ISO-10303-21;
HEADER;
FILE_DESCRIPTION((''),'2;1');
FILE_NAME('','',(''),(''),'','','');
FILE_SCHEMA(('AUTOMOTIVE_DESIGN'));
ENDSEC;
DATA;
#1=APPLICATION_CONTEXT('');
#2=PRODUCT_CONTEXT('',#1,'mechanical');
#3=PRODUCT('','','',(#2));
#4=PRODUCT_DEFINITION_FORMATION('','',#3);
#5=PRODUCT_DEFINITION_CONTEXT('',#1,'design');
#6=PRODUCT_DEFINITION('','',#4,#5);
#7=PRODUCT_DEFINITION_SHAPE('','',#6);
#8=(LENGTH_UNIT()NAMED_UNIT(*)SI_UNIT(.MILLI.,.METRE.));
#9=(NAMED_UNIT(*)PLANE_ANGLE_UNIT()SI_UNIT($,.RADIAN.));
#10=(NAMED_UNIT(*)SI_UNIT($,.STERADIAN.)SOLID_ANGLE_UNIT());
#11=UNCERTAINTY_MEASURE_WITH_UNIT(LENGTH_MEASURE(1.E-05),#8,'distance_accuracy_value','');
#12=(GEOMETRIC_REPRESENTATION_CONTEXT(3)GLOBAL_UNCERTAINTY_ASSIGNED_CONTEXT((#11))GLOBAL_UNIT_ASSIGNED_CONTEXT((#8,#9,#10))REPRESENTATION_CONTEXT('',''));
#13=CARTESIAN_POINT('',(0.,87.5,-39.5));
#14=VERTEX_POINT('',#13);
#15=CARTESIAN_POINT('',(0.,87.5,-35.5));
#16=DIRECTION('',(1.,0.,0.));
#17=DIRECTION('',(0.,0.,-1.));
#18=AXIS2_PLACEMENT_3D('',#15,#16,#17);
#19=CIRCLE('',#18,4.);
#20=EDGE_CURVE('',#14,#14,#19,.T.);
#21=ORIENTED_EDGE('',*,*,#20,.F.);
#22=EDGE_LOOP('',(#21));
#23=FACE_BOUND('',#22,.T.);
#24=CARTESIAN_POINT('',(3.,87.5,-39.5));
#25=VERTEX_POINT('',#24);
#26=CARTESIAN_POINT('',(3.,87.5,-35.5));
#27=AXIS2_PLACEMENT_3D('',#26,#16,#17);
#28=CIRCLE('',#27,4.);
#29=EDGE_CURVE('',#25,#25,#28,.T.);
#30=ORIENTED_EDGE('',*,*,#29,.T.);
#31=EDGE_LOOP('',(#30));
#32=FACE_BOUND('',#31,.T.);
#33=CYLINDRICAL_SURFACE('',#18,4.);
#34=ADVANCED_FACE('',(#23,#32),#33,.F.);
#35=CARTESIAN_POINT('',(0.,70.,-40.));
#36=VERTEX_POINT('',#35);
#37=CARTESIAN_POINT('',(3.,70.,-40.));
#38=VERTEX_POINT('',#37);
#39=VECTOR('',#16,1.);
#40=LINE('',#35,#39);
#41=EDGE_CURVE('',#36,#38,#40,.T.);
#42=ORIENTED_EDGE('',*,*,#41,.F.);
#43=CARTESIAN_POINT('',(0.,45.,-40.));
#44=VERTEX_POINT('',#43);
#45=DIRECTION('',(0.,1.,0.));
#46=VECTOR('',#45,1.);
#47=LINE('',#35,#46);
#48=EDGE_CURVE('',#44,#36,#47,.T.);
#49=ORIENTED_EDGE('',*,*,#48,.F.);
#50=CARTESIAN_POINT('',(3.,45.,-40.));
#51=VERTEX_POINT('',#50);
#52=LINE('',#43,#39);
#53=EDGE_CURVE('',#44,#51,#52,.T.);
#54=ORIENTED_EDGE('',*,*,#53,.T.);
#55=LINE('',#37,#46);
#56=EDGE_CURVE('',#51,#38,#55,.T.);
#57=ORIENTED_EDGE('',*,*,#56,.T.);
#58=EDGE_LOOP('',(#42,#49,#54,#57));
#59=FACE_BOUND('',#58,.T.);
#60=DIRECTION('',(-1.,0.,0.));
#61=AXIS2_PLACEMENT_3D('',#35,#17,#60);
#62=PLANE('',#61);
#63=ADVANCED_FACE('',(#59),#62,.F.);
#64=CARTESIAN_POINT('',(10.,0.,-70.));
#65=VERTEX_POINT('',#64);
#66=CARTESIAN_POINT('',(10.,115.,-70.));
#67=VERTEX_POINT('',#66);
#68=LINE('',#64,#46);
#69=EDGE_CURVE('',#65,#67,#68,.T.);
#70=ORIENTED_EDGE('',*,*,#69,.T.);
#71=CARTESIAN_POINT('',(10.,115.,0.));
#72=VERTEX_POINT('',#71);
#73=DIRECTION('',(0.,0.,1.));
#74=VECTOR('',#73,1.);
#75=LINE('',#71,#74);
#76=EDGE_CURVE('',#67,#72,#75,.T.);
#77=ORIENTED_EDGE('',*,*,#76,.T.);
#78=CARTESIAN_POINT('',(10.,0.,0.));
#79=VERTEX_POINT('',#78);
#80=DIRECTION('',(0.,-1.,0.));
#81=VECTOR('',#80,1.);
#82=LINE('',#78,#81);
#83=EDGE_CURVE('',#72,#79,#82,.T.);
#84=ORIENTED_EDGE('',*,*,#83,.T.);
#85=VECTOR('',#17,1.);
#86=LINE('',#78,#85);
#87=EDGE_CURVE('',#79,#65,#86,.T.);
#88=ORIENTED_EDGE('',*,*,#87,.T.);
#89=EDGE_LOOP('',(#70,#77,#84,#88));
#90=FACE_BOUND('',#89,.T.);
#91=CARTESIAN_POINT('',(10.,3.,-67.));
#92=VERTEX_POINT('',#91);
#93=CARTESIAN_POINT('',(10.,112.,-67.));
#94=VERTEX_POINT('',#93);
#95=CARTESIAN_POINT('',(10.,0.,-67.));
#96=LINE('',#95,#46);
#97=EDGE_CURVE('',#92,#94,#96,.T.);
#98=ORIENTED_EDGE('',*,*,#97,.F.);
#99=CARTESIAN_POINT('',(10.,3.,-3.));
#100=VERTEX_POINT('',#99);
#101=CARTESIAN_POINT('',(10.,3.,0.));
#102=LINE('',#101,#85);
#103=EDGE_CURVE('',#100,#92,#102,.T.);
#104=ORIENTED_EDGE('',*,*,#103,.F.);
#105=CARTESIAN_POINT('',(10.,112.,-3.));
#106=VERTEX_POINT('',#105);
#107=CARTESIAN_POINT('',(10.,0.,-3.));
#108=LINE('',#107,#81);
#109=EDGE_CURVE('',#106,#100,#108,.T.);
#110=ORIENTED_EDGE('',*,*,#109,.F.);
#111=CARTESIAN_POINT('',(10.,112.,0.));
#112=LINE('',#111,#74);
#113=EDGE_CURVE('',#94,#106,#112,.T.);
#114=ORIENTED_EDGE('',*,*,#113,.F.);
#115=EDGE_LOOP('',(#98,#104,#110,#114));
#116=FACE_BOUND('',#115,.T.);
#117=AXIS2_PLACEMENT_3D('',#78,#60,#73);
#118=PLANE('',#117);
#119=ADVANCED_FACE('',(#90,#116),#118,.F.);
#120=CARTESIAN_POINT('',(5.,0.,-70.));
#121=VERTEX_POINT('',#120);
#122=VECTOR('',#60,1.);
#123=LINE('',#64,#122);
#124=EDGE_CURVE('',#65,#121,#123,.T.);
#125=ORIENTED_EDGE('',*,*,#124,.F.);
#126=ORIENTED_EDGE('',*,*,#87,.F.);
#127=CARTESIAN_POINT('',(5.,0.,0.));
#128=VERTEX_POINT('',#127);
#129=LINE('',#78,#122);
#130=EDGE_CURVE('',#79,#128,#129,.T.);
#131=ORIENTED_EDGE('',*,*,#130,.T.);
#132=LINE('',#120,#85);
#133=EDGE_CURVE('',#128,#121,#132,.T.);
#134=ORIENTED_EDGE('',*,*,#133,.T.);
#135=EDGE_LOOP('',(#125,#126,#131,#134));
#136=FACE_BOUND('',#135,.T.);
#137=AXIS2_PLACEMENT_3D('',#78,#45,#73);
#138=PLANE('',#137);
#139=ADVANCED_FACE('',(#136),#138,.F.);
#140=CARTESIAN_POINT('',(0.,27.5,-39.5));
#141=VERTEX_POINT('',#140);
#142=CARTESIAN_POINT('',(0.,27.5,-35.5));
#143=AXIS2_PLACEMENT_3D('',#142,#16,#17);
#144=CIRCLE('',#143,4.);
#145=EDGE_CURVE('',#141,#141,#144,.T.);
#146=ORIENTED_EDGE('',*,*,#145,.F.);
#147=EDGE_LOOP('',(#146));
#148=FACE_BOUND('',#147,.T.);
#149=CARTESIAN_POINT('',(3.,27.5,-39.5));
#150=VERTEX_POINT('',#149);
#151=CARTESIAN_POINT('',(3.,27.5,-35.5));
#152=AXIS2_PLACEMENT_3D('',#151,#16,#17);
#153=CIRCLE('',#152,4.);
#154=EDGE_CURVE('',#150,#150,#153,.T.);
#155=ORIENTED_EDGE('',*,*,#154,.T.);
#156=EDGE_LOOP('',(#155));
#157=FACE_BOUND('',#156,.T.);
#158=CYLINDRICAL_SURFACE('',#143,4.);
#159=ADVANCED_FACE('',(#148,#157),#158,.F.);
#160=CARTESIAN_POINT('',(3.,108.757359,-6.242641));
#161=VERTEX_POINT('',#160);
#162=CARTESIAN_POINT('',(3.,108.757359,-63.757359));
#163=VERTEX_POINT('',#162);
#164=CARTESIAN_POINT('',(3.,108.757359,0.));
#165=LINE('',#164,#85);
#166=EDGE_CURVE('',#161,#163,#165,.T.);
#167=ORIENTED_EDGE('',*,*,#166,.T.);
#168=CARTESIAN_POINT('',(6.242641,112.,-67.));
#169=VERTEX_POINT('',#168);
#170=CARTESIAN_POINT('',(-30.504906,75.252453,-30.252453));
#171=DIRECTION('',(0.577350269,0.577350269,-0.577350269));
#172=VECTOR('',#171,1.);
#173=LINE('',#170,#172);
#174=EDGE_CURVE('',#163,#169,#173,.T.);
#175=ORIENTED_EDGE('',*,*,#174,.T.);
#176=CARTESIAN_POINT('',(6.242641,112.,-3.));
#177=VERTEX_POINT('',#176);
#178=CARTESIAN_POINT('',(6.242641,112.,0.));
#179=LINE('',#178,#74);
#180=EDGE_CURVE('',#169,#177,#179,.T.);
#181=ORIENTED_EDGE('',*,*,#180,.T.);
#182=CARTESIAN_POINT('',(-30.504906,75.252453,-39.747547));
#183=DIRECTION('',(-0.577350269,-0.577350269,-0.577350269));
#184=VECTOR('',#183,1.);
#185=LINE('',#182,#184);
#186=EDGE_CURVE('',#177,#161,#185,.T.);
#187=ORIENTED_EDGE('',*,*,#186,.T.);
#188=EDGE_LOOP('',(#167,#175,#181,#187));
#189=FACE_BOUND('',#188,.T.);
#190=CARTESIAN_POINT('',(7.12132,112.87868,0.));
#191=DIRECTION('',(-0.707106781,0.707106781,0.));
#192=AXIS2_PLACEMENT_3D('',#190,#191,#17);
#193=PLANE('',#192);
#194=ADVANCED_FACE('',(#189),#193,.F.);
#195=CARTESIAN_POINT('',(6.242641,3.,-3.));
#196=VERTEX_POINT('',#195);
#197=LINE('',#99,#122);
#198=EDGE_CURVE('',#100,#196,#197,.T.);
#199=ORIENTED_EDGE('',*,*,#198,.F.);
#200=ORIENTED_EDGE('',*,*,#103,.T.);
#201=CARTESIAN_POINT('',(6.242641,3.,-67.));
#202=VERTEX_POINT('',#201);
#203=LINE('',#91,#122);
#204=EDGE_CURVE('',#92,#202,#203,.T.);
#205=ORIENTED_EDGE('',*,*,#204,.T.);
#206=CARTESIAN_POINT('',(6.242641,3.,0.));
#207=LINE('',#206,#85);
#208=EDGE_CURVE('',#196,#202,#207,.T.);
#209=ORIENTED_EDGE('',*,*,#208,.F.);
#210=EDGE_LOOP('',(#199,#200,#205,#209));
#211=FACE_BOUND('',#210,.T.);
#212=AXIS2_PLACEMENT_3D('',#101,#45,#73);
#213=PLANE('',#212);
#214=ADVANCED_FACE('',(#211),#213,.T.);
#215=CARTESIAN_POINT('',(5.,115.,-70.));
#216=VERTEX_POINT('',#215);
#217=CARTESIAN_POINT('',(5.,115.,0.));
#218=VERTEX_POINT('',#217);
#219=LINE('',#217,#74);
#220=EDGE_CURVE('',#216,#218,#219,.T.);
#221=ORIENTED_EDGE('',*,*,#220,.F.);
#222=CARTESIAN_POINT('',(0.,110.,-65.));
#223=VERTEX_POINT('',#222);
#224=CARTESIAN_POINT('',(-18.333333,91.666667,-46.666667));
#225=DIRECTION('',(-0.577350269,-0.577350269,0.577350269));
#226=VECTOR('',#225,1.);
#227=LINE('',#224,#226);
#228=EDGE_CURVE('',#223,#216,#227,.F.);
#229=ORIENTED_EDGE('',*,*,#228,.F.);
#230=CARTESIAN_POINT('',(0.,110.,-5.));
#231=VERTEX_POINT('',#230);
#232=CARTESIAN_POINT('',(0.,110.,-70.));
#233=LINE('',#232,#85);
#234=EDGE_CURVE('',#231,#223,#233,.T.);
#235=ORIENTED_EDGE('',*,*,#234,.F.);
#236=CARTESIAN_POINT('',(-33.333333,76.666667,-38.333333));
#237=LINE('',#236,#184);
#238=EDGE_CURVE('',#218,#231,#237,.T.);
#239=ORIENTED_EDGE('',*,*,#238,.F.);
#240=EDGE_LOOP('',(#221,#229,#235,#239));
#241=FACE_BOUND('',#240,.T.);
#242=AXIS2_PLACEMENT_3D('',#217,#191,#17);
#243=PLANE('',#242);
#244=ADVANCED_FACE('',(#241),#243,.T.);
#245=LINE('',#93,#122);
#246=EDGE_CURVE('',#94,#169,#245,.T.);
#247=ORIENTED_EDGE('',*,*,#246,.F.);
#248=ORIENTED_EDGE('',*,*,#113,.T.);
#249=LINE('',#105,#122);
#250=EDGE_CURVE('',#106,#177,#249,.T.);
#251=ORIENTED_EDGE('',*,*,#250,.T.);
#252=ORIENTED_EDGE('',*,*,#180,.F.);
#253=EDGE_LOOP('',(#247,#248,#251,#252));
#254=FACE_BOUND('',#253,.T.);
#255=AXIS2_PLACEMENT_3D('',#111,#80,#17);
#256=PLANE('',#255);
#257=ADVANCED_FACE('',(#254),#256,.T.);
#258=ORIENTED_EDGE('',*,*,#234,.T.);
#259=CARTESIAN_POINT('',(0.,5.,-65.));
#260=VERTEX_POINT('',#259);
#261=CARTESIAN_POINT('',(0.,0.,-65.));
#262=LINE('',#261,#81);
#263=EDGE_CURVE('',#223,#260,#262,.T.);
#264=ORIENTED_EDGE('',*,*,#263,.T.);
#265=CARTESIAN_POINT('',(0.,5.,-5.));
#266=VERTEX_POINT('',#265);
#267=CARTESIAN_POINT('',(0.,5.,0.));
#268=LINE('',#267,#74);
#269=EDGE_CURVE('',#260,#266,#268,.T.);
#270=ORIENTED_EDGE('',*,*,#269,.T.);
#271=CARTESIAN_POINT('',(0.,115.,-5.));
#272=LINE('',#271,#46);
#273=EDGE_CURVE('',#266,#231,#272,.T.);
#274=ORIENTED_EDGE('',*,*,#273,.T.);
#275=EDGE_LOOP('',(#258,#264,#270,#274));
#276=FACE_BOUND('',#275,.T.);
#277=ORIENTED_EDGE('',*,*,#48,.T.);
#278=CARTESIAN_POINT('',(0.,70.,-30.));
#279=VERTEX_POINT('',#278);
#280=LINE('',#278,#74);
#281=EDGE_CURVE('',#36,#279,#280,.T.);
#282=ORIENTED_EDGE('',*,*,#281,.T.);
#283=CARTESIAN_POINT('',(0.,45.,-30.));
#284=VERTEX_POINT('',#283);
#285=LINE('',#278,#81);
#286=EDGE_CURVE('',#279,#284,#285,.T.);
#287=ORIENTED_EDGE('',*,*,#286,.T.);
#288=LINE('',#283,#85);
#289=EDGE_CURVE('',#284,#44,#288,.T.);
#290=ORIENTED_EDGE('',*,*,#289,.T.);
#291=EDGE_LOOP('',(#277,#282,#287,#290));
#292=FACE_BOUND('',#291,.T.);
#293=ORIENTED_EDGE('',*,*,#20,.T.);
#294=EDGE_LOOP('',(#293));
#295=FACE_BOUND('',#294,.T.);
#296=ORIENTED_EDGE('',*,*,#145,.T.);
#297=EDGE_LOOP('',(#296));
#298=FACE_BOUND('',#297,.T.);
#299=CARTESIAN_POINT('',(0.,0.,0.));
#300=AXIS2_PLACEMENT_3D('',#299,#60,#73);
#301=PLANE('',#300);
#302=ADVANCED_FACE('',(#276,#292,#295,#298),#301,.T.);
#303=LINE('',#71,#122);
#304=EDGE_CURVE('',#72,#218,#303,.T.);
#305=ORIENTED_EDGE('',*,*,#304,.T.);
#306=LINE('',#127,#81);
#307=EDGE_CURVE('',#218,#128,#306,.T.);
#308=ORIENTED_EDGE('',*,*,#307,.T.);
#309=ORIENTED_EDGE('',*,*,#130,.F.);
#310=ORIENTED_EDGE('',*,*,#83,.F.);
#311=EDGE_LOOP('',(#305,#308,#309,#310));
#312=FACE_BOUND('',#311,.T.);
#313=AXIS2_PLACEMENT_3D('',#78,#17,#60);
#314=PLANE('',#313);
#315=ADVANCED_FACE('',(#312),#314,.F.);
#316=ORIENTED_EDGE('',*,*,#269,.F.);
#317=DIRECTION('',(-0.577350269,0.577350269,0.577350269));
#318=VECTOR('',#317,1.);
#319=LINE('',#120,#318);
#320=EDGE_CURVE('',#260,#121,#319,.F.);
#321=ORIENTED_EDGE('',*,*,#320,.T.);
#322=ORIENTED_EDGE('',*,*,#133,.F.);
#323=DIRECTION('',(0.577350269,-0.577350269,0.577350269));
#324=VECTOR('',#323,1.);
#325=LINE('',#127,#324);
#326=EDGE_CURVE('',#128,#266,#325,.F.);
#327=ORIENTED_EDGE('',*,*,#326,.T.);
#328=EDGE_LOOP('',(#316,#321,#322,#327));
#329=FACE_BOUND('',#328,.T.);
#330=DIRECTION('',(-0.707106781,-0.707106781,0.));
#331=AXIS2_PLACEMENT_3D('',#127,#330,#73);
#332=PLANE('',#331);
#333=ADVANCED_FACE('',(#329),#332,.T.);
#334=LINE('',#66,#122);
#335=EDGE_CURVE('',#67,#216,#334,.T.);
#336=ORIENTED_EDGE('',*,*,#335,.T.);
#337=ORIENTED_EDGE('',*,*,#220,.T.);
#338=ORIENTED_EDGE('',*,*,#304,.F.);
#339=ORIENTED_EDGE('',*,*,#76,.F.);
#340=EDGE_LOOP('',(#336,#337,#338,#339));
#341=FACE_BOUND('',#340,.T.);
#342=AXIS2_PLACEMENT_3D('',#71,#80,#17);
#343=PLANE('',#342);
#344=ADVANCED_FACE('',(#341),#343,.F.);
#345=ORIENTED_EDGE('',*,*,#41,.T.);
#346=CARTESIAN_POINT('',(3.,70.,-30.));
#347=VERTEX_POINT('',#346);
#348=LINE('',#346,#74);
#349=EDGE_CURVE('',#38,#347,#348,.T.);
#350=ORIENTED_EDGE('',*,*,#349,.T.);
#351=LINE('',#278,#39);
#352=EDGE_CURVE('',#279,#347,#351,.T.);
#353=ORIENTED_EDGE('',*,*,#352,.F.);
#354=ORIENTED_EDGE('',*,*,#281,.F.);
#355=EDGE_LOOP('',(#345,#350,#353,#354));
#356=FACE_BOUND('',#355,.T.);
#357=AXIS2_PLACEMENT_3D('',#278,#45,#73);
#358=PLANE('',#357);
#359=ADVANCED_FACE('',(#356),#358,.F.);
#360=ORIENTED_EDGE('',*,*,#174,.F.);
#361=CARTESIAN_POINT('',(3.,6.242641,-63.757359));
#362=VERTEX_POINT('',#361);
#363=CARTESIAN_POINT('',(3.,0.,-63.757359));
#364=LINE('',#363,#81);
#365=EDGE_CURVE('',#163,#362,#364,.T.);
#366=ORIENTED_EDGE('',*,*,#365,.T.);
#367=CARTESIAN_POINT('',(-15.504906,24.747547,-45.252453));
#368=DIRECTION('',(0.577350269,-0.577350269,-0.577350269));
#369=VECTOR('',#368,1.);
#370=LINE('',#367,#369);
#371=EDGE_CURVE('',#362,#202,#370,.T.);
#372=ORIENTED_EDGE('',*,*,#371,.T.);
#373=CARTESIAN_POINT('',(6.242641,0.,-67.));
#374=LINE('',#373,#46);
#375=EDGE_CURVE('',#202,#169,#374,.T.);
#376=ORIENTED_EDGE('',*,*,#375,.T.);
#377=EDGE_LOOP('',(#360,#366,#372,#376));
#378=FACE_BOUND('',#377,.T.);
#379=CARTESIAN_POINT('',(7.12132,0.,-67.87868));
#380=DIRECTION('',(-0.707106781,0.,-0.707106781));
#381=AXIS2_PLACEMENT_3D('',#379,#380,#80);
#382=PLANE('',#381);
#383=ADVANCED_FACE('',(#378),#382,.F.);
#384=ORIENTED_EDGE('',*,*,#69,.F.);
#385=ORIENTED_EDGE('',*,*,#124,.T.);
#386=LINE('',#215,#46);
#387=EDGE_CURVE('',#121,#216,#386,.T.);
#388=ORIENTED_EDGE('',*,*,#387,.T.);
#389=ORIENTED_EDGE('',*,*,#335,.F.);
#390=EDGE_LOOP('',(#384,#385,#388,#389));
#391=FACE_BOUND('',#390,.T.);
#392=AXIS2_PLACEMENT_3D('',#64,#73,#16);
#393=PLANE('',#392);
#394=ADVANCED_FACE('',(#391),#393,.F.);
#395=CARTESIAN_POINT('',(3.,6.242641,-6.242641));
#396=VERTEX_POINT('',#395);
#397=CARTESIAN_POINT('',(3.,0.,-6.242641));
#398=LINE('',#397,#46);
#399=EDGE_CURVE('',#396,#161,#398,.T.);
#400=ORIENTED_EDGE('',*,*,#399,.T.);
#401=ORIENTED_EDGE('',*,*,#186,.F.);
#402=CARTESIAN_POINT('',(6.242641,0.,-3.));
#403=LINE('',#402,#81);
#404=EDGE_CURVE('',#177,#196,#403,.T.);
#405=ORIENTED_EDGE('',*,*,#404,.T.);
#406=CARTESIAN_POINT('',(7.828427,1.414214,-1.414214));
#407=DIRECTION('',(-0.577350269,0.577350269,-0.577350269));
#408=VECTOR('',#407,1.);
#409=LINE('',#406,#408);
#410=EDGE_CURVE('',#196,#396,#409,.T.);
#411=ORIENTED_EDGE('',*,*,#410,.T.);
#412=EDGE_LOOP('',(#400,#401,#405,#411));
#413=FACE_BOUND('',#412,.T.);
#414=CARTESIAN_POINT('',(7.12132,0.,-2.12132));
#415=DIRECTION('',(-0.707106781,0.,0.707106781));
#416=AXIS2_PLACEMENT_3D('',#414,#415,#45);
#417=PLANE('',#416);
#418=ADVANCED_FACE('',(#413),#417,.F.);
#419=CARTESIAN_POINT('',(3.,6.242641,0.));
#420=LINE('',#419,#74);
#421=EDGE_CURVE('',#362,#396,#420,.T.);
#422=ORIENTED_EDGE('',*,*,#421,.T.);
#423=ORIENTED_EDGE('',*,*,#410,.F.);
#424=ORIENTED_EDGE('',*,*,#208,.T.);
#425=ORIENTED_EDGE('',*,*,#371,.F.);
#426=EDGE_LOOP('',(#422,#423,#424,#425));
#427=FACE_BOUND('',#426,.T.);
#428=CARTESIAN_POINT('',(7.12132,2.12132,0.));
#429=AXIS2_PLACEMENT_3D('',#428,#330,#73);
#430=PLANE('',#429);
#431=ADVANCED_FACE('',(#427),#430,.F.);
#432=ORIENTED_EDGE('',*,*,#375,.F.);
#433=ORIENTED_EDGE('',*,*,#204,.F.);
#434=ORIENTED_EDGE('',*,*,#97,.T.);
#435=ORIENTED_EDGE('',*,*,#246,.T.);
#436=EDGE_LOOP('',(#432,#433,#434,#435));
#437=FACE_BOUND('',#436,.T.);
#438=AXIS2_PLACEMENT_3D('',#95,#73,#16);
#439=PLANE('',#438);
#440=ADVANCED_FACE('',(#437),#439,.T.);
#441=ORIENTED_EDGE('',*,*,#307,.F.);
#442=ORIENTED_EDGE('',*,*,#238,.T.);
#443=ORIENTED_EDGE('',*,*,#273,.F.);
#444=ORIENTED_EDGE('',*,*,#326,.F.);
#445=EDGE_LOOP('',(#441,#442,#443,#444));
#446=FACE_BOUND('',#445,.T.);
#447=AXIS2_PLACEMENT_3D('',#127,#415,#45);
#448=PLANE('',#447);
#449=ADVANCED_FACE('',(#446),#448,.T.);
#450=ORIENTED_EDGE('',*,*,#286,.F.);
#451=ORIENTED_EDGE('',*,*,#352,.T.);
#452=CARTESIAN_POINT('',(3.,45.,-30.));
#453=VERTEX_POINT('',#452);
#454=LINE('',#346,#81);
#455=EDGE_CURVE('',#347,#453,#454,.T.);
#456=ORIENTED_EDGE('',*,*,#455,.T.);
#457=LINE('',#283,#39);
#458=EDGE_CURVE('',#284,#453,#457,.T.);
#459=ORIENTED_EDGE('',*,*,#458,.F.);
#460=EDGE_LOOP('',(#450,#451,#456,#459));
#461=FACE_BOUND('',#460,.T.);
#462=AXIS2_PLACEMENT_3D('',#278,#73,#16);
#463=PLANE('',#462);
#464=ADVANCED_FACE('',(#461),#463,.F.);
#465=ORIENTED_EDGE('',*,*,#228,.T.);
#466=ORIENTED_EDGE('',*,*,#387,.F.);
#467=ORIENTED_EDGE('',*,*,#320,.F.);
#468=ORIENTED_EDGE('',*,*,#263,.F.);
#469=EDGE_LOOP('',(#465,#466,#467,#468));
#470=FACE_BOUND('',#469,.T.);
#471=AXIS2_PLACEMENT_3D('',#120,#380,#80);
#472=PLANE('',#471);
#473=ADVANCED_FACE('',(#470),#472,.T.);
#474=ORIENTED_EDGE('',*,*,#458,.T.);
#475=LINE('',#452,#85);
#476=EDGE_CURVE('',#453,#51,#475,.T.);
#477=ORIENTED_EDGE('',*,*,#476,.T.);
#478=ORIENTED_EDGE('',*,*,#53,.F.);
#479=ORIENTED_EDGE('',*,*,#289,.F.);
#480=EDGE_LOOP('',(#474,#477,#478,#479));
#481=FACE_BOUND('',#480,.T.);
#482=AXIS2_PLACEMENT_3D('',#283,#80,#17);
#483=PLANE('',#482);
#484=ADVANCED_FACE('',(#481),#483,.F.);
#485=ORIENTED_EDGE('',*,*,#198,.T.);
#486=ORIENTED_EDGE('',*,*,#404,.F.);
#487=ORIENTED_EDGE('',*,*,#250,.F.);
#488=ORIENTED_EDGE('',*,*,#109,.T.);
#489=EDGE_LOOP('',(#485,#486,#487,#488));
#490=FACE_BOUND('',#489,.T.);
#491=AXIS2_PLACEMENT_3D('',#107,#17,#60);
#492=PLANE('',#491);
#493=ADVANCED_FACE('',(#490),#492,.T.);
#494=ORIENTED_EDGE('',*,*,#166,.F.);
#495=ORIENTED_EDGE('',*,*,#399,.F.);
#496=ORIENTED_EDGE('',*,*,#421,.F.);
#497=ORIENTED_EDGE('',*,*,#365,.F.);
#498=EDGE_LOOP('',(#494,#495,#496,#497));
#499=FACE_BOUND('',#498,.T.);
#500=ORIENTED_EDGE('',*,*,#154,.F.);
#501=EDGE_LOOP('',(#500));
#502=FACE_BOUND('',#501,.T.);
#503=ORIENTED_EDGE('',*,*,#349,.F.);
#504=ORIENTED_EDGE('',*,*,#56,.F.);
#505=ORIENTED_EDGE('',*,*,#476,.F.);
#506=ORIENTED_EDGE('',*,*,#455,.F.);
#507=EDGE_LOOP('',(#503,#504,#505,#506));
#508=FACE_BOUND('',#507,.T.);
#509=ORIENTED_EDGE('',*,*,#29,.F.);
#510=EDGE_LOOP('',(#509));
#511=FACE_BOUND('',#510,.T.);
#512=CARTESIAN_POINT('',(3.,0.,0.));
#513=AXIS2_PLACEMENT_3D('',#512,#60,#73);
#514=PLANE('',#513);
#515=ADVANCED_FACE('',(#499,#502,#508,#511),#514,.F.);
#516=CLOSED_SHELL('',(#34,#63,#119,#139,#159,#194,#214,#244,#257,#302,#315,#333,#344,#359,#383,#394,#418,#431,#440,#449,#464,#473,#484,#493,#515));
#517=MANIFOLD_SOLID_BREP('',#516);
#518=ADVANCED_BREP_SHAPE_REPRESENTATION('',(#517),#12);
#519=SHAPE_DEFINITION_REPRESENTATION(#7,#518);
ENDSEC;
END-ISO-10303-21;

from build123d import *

# Parameters (mm, degrees)
CROQUIS1_W              = 70
CROQUIS1_H              = 115
SALIENTE_EXTRUIR1_DEPTH = 10
CHAFL_N2_SIZE           = 5
VACIADO1_T              = -3
CROQUIS5_R              = 4
CROQUIS5_W              = 10
CROQUIS5_H              = 25
CORTAR_EXTRUIR1_DEPTH   = 135.810978781


with BuildPart() as part:
    # Croquis1 → Saliente-Extruir1 (new body)
    with BuildSketch(Plane(origin=(0, 0, 0), x_dir=(0, 0, -1), z_dir=(1, 0, 0))):
        with Locations((35, 57.5)):
            Rectangle(CROQUIS1_W, CROQUIS1_H)
    extrude(amount=SALIENTE_EXTRUIR1_DEPTH)

    # Chaflán2
    chafl_n2_edges = [part.edges().sort_by_distance(p)[0] for p in [
        (0, 115, -35),
        (0, 57.5, -70),
        (0, 0, -35),
        (0, 57.5, 0),
    ]]
    chamfer(chafl_n2_edges, length=CHAFL_N2_SIZE)

    # Vaciado1
    vaciado1_openings = [part.faces().sort_by_distance(p)[0] for p in [
        (10, 57.5, -35),
    ]]
    offset(amount=VACIADO1_T, openings=vaciado1_openings, kind=Kind.INTERSECTION)

    # Croquis5 → Cortar-Extruir1 (cut, through all)
    with BuildSketch(Plane(origin=(3, 0, 0), x_dir=(0, 0, -1), z_dir=(1, 0, 0))):
        with Locations((35.5, 87.5)):
            Circle(CROQUIS5_R)
        with Locations((35.5, 27.5)):
            Circle(CROQUIS5_R)
        with Locations((35, 57.5)):
            Rectangle(CROQUIS5_W, CROQUIS5_H)
    extrude(amount=-CORTAR_EXTRUIR1_DEPTH, mode=Mode.SUBTRACT)


solid = part.part
